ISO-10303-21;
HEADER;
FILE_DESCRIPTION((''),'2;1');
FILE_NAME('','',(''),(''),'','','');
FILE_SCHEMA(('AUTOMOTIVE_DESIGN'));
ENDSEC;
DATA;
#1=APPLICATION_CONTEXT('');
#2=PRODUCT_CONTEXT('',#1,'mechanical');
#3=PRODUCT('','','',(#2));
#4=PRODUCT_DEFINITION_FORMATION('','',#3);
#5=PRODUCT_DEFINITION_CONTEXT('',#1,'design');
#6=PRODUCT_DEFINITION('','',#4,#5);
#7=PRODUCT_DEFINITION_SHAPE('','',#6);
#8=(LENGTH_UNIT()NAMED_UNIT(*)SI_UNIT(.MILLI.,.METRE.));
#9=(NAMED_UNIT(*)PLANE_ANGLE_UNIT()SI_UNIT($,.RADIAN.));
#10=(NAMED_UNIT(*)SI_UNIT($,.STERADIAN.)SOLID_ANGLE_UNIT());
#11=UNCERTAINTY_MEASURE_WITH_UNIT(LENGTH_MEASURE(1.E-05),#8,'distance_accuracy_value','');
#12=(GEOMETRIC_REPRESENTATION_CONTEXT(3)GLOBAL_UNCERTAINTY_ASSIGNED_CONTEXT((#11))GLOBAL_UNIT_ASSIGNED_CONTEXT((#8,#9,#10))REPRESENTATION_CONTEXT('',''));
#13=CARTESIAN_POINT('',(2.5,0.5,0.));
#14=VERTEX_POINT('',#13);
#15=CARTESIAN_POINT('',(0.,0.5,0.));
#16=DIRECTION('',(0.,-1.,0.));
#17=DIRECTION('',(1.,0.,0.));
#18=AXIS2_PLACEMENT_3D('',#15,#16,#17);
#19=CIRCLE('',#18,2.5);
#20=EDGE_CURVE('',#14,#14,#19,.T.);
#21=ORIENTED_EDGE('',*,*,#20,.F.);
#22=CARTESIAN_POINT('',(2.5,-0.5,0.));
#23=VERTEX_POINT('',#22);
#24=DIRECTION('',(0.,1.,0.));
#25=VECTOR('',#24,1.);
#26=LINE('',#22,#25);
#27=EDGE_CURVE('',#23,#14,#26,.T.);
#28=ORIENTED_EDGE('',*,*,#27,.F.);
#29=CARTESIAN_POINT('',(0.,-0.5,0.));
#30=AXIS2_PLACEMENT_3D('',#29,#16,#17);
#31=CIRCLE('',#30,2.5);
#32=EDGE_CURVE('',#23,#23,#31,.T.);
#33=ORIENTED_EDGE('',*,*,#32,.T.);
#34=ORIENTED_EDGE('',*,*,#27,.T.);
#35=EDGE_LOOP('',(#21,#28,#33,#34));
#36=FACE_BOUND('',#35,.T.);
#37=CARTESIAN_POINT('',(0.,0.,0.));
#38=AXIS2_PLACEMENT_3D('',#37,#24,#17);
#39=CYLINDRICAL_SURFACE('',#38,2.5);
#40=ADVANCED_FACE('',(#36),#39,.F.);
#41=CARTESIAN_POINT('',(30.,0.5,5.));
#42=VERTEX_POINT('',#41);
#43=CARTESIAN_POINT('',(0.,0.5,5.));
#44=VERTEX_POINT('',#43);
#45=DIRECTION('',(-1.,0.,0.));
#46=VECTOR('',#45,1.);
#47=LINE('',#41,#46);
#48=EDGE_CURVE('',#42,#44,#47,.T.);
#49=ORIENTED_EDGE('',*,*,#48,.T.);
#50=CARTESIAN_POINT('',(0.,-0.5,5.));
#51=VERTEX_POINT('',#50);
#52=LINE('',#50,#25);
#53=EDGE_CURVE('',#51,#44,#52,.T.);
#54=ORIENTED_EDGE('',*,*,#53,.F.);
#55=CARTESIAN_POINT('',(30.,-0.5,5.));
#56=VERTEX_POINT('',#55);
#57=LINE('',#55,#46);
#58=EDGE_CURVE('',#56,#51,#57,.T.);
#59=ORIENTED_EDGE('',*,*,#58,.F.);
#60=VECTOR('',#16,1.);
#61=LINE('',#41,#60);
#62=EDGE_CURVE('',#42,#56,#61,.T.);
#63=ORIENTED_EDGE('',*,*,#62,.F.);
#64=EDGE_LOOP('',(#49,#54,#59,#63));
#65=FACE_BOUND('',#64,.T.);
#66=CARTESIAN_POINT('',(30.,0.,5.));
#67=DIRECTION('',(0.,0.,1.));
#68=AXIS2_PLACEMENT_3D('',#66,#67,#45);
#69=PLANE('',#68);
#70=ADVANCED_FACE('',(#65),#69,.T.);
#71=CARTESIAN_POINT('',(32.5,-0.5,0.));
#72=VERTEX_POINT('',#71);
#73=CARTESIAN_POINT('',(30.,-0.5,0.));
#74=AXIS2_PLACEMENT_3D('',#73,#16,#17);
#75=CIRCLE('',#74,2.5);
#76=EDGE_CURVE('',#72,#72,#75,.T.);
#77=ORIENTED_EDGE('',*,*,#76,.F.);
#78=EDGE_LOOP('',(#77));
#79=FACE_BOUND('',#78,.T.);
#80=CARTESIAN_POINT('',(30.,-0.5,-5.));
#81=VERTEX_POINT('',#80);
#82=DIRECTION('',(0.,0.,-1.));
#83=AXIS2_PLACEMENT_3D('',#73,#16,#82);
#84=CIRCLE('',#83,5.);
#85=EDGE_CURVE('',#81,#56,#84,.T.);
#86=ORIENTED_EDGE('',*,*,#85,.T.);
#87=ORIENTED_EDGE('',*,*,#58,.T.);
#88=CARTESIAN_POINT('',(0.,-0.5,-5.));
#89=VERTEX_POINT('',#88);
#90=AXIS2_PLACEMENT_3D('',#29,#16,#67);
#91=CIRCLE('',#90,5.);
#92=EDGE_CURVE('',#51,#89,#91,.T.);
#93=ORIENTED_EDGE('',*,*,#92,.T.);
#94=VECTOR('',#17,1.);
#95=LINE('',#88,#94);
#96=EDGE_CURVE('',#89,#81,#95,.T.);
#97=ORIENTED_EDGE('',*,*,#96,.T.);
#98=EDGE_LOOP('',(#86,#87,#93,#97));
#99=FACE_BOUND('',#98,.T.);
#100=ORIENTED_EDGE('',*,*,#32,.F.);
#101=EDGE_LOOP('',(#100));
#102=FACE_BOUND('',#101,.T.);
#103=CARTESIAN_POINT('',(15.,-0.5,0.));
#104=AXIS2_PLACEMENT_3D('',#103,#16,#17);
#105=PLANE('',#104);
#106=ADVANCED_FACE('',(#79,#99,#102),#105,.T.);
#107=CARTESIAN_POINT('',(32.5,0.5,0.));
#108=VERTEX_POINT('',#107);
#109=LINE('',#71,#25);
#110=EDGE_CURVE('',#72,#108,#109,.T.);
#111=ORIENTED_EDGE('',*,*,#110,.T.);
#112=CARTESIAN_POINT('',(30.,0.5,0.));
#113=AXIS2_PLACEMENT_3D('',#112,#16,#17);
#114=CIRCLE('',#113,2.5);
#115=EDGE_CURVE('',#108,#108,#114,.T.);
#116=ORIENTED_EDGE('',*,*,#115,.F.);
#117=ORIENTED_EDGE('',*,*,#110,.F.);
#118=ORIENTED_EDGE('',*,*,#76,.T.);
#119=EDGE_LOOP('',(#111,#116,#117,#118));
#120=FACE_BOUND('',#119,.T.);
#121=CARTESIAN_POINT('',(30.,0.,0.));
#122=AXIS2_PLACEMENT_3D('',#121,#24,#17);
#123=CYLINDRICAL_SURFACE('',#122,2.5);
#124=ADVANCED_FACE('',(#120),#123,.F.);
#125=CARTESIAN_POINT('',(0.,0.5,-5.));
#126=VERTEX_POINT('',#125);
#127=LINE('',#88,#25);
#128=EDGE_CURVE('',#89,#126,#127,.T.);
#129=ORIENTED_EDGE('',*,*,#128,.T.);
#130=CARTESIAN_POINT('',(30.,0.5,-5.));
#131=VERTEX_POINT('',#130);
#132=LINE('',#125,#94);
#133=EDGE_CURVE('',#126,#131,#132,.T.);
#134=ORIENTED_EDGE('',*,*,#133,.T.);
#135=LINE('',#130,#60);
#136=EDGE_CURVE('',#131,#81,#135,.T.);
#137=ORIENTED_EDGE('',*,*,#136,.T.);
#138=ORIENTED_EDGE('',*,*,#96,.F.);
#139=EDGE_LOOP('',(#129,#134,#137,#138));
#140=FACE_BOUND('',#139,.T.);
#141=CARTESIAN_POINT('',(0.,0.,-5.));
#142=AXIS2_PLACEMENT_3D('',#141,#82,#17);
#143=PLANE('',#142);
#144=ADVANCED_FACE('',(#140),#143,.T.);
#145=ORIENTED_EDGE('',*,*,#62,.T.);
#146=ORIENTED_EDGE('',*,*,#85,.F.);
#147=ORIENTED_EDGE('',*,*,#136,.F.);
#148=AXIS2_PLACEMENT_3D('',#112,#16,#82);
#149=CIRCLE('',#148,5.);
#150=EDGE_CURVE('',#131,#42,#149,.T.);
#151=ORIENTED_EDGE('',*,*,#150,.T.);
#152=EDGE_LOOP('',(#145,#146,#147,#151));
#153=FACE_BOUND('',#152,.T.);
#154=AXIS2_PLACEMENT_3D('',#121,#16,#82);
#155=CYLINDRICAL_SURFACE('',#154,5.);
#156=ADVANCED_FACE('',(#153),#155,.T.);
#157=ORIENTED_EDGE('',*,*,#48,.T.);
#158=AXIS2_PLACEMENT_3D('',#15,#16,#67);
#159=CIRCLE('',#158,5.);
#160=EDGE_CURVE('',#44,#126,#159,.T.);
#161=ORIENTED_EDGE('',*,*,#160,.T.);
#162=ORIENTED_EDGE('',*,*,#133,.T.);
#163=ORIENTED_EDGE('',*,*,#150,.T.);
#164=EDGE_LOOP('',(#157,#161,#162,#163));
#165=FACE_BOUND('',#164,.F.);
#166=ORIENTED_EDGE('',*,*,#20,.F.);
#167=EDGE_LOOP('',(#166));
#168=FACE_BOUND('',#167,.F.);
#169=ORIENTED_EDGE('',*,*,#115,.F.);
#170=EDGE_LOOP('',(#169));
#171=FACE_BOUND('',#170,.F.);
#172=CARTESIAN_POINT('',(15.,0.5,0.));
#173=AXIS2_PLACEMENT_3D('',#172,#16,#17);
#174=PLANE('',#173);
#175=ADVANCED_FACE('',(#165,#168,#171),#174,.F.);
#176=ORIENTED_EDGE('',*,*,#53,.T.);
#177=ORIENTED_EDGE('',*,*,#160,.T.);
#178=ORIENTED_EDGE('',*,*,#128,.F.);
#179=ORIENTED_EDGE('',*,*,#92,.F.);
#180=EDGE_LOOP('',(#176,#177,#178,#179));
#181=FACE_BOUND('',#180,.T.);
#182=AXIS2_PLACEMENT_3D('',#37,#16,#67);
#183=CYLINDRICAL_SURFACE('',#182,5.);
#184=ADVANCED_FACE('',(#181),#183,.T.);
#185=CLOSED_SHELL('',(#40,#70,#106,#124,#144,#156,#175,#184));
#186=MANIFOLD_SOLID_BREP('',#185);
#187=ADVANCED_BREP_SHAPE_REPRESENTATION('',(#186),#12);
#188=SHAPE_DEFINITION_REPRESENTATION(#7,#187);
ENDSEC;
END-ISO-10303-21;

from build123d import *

# Parameters (mm, degrees)
F0_R     = 2.5
F1_DEPTH = 0.5


with BuildPart() as f1:
    # F0 (on Front) → F1 (new body, symmetric)
    with BuildSketch(Plane.XZ):
        with BuildLine():
            Line((0, -5), (30, -5))
            ThreePointArc((30, -5), (35, 0), (30, 5))
            Line((30, 5), (0, 5))
            ThreePointArc((0, 5), (-5, 0), (0, -5))
        make_face()
        Circle(F0_R, mode=Mode.SUBTRACT)
        with Locations((30, 0)):
            Circle(F0_R, mode=Mode.SUBTRACT)
    extrude(amount=F1_DEPTH, both=True)


solid = f1.part
